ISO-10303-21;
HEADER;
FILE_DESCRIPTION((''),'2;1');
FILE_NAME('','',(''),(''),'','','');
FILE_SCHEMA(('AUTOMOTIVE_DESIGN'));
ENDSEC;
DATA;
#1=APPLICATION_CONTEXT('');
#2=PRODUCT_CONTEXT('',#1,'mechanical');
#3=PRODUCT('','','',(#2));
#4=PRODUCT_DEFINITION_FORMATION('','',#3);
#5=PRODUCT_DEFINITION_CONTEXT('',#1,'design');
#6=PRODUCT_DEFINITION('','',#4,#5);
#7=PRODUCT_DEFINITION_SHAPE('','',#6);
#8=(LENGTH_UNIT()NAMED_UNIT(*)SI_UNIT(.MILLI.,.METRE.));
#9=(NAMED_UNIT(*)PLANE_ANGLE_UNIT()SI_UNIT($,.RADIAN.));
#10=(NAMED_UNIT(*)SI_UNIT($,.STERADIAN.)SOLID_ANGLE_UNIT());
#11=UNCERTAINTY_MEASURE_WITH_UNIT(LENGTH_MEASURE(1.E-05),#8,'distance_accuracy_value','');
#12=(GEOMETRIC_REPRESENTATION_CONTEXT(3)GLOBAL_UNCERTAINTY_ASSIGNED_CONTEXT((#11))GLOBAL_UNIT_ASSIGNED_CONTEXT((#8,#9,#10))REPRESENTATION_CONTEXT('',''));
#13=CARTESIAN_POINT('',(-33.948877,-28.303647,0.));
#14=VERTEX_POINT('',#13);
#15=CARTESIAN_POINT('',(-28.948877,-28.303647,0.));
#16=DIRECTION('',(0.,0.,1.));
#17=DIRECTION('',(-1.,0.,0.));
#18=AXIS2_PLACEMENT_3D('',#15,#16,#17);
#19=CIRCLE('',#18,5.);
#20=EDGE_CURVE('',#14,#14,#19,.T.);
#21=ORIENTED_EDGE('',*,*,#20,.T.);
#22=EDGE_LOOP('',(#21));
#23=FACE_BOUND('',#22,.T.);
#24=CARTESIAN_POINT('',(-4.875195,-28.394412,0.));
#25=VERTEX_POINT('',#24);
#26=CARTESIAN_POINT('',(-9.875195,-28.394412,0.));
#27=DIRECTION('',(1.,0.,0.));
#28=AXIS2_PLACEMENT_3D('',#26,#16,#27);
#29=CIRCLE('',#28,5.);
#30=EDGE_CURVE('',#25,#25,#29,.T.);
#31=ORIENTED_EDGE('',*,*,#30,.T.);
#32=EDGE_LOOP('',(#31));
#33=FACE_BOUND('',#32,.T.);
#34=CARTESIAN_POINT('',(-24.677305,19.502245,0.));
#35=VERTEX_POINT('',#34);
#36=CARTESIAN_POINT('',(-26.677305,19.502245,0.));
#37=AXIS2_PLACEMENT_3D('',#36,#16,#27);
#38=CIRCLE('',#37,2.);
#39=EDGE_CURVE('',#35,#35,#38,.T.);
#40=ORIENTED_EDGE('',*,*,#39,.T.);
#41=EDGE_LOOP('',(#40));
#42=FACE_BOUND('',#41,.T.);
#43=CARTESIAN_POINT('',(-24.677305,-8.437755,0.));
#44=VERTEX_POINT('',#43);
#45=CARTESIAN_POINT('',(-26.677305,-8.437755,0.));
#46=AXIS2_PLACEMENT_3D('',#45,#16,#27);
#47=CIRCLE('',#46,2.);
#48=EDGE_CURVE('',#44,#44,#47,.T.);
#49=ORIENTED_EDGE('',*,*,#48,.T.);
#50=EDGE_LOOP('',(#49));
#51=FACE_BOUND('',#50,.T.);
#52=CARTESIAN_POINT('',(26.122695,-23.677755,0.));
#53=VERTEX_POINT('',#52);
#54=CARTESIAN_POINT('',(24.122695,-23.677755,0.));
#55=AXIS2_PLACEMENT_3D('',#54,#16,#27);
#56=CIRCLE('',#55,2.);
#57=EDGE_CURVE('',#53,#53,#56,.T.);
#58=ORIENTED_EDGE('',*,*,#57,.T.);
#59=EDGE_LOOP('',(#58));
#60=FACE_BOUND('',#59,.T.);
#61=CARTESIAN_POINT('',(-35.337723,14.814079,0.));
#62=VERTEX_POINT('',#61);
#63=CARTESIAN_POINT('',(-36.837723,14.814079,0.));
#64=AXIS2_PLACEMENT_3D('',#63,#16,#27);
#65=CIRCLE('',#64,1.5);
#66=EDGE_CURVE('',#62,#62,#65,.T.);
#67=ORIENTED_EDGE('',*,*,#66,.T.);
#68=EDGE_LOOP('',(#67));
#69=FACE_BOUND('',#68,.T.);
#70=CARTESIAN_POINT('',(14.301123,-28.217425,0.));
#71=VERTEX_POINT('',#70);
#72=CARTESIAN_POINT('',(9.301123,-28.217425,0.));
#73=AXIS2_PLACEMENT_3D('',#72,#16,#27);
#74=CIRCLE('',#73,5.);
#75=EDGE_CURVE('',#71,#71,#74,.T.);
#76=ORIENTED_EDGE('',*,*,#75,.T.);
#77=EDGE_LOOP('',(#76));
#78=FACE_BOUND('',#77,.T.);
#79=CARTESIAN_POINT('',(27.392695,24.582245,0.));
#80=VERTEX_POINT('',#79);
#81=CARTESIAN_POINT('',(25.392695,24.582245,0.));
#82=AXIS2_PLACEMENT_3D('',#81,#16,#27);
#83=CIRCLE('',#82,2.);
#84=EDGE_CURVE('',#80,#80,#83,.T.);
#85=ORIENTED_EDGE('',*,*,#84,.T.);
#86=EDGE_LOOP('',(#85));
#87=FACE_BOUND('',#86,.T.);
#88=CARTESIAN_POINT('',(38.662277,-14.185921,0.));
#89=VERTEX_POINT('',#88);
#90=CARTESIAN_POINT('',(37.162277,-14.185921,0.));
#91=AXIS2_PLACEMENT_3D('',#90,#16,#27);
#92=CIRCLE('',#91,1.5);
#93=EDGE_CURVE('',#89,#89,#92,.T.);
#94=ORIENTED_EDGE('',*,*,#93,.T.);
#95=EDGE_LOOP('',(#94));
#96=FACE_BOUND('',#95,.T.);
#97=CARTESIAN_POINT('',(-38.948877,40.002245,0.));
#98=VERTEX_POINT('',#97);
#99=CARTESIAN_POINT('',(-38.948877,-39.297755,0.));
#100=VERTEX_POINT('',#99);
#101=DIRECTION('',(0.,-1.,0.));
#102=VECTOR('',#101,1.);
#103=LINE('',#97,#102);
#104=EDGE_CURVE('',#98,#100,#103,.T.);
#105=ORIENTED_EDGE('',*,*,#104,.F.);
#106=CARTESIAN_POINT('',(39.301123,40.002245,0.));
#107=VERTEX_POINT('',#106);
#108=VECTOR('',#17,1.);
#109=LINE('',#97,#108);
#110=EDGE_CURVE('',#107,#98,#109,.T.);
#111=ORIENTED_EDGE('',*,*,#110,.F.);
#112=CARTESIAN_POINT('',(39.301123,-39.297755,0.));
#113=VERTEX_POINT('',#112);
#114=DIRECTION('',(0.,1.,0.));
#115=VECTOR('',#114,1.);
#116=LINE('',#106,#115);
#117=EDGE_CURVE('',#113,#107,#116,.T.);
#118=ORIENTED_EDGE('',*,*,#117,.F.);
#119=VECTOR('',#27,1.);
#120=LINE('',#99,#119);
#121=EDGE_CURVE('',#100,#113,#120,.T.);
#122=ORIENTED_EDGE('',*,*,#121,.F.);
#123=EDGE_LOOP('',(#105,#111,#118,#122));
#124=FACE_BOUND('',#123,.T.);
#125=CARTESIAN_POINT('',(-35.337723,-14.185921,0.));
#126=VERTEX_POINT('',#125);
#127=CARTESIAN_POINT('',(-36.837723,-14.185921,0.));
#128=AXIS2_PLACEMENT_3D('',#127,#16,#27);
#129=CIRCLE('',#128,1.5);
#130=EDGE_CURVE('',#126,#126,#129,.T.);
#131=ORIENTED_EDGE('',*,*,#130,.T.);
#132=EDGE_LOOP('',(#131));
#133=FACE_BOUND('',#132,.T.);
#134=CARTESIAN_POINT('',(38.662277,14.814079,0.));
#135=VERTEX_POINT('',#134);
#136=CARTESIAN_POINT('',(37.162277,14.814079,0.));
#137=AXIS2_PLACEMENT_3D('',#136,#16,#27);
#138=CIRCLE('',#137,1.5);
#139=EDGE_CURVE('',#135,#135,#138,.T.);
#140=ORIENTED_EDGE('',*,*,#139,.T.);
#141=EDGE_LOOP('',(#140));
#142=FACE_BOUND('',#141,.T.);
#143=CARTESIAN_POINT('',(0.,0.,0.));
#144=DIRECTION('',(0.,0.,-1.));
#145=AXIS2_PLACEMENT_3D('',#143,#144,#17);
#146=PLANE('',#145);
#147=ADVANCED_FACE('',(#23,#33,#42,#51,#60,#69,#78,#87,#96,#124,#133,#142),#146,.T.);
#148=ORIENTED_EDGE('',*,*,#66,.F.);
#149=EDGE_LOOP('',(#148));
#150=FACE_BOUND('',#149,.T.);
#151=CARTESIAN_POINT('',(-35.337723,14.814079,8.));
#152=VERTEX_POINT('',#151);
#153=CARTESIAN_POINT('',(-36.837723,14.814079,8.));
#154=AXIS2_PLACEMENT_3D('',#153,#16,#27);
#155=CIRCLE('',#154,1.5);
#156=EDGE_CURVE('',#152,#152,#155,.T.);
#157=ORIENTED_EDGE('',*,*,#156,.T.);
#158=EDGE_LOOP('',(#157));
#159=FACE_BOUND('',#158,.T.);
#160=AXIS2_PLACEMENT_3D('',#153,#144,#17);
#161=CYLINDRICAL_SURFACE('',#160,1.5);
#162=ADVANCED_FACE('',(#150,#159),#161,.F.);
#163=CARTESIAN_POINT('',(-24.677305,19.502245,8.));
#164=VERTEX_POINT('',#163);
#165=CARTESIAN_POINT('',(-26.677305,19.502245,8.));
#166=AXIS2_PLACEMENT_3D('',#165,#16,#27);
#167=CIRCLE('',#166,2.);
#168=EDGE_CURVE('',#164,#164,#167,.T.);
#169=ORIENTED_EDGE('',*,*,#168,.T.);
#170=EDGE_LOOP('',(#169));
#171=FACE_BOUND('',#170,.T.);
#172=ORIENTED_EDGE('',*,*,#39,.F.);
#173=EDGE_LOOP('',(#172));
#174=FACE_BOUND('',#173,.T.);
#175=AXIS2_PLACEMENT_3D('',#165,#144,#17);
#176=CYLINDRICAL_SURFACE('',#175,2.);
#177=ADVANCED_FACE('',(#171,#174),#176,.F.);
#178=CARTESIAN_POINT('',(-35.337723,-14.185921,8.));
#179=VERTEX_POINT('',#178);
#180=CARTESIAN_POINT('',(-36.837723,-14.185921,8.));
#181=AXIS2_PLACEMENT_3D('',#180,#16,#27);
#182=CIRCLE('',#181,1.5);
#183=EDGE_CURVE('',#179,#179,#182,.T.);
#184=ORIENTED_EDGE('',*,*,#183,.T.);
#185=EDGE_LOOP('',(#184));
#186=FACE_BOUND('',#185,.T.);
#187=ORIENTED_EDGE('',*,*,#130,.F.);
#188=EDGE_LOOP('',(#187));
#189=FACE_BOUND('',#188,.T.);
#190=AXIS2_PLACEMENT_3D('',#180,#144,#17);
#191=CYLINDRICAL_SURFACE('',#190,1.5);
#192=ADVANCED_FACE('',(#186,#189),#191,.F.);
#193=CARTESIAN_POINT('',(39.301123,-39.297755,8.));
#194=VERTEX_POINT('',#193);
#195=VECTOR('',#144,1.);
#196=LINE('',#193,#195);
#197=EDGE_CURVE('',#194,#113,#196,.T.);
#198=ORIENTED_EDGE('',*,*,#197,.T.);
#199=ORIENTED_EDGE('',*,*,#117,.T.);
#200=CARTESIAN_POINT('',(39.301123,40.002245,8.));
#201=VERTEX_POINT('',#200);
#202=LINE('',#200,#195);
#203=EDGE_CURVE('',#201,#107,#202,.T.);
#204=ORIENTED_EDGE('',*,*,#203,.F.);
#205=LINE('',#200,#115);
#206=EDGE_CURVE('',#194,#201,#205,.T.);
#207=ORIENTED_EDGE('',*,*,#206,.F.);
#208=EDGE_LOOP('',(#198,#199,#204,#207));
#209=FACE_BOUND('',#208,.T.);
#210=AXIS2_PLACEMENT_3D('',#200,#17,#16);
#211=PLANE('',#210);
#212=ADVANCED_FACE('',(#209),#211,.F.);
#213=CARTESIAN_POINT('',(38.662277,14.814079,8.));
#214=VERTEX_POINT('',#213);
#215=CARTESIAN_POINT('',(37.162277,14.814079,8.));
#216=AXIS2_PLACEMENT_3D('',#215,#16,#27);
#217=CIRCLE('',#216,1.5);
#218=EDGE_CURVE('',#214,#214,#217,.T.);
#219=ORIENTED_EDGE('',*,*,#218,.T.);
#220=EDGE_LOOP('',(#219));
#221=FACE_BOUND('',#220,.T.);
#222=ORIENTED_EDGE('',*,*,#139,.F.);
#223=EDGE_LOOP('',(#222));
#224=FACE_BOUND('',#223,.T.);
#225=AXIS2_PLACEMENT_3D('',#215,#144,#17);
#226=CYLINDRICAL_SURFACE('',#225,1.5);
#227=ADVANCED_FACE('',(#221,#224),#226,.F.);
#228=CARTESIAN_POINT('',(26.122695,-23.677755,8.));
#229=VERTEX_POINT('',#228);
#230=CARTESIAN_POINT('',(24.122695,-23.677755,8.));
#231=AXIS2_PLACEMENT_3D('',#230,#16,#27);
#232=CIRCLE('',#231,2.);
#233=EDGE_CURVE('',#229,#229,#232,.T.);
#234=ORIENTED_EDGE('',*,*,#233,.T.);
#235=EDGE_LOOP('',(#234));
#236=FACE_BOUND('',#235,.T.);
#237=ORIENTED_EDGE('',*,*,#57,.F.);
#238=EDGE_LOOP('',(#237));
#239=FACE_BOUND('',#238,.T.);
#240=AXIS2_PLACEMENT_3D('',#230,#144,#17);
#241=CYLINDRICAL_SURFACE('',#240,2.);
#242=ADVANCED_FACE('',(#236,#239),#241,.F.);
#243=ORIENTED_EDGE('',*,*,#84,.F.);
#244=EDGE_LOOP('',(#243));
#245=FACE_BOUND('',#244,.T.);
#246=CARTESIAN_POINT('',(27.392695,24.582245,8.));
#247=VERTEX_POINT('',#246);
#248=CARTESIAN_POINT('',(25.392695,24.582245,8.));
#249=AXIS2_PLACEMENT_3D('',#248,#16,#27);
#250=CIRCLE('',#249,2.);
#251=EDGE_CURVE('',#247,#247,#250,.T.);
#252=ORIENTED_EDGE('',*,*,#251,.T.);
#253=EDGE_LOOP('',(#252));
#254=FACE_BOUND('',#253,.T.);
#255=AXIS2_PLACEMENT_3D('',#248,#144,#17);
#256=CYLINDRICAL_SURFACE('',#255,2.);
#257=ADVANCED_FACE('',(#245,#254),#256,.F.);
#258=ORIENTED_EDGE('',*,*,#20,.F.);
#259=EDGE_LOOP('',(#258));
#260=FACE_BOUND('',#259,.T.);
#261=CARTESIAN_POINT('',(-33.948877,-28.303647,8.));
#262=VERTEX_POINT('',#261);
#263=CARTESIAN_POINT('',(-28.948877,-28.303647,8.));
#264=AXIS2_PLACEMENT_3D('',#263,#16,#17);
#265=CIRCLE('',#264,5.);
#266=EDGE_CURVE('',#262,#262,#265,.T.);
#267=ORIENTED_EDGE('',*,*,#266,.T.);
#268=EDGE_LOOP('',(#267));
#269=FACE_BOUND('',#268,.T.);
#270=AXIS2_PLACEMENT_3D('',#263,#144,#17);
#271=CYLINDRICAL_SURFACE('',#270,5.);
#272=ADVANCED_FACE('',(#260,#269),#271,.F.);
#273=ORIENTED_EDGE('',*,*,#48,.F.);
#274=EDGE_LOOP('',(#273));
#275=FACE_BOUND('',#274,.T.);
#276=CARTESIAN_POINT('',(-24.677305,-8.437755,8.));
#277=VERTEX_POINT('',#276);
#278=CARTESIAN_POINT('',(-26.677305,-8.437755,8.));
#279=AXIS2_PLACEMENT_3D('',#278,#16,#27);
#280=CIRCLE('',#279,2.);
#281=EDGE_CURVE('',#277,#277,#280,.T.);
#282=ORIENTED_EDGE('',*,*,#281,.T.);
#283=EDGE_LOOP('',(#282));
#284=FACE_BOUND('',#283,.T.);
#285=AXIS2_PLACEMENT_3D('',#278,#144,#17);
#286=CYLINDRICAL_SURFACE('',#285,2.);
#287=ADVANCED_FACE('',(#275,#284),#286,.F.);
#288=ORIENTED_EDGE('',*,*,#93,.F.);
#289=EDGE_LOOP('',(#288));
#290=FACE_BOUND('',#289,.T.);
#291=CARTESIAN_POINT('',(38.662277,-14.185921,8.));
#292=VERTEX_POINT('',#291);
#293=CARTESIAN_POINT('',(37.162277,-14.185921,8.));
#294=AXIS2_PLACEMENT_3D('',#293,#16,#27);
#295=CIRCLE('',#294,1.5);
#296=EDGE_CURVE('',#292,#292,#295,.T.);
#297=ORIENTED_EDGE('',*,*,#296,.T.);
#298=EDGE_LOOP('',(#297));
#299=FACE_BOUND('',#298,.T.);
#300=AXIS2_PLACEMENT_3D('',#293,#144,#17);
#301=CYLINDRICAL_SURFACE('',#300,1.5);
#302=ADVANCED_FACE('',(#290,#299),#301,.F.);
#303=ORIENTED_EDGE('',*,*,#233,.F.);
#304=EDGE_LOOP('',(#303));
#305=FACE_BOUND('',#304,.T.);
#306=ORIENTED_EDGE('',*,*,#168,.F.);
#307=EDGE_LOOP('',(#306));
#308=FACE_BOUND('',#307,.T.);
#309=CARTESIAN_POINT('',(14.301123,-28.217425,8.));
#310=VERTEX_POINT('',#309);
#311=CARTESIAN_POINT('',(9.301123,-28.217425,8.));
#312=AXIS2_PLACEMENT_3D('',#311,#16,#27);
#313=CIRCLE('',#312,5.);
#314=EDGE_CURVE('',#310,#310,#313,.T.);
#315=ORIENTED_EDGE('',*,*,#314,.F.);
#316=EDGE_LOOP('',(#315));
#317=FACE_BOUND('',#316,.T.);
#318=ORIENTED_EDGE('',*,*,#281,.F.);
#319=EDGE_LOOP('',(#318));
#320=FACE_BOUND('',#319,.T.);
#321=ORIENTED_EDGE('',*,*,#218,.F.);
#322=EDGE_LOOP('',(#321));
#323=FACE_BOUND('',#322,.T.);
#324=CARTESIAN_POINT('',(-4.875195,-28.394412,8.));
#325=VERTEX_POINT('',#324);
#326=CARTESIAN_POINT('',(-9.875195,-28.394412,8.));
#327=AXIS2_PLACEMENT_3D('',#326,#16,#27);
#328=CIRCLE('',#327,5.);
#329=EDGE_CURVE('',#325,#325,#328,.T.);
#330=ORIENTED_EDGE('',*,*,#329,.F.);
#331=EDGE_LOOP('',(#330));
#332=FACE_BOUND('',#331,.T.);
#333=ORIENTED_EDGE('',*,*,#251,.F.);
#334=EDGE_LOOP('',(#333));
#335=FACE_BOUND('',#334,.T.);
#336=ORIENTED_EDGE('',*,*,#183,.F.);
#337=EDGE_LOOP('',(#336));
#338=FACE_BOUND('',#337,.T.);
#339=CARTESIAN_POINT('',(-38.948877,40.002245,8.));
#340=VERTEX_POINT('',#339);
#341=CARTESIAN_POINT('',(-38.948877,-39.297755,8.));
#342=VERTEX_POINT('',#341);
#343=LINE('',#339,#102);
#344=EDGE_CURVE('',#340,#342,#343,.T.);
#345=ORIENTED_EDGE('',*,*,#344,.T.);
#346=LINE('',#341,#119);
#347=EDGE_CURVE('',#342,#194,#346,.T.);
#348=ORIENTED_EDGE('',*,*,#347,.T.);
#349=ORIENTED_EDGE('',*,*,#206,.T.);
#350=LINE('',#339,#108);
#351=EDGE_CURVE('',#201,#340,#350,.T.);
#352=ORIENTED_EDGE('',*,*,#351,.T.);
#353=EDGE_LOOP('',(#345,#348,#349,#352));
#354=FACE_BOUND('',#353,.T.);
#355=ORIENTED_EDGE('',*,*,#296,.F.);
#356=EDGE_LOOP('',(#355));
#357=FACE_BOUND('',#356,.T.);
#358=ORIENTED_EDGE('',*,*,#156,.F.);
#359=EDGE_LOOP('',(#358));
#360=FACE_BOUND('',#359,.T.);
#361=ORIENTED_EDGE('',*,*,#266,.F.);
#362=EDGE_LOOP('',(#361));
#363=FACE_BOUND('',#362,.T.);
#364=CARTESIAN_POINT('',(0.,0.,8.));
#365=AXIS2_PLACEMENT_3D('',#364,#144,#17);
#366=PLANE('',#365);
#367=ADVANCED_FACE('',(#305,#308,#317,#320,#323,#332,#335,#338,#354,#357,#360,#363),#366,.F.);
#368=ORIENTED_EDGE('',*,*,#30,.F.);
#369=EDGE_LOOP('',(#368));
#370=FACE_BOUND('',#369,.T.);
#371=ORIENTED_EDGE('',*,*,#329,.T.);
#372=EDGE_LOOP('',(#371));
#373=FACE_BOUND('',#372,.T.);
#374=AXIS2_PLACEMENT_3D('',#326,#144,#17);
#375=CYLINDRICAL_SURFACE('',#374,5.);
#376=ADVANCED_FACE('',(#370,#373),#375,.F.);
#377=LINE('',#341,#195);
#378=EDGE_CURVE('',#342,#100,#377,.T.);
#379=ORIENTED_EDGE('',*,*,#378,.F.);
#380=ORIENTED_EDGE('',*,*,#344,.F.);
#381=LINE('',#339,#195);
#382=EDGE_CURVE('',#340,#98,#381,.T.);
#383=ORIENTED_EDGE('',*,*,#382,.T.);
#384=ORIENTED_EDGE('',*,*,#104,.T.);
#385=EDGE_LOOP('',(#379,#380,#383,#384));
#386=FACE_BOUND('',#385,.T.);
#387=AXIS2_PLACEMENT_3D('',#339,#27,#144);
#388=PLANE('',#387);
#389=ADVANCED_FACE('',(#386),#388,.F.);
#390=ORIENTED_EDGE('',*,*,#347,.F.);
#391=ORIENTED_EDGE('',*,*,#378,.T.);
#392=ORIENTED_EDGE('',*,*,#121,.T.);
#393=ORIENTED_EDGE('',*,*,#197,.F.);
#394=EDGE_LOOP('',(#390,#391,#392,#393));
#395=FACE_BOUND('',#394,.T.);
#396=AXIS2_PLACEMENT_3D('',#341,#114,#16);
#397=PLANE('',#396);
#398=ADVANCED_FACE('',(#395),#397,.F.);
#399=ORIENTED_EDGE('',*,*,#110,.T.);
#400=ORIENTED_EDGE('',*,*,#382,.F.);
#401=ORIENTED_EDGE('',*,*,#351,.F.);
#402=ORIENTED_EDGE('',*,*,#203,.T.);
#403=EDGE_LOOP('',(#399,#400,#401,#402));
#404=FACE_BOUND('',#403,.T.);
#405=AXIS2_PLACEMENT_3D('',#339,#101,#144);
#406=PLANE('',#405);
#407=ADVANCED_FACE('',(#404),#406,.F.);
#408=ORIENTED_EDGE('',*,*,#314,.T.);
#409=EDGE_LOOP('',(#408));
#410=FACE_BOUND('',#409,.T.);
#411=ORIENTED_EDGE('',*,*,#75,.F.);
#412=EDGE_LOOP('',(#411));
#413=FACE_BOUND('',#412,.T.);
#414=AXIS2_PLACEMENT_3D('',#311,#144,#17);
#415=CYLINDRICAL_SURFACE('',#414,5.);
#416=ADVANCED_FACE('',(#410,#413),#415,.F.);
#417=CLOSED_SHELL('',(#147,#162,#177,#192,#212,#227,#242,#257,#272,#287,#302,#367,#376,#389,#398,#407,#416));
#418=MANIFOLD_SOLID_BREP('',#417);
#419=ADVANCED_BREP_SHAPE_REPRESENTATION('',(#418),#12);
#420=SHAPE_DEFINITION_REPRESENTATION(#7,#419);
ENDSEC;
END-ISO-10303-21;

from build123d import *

# Parameters (mm, degrees)
SKETCH1_W           = 78.25
SKETCH1_H           = 79.3
SKETCH1_R           = 5
SKETCH1_R_2         = 2
SKETCH1_R_3         = 1.5
BOSS_EXTRUDE1_DEPTH = 8


with BuildPart() as part:
    # Sketch1 → Boss-Extrude1 (new body)
    with BuildSketch(Plane.XY):
        with Locations((0.176122561, 0.352245122)):
            Rectangle(SKETCH1_W, SKETCH1_H)
        with Locations((-9.875194839, -28.39441243)):
            Circle(SKETCH1_R, mode=Mode.SUBTRACT)
        with Locations((9.301122561, -28.217424669)):
            Circle(SKETCH1_R, mode=Mode.SUBTRACT)
        with Locations(Location((-28.948877439, -28.303646558, 0), (0, 0, 180))):
            Circle(SKETCH1_R, mode=Mode.SUBTRACT)
        with Locations((-26.677304512, 19.502245122)):
            Circle(SKETCH1_R_2, mode=Mode.SUBTRACT)
        with Locations((-26.677304512, -8.437754878)):
            Circle(SKETCH1_R_2, mode=Mode.SUBTRACT)
        with Locations((24.122695488, -23.677754878)):
            Circle(SKETCH1_R_2, mode=Mode.SUBTRACT)
        with Locations((25.392695488, 24.582245122)):
            Circle(SKETCH1_R_2, mode=Mode.SUBTRACT)
        with Locations((-36.837723202, 14.814078865)):
            Circle(SKETCH1_R_3, mode=Mode.SUBTRACT)
        with Locations((-36.837723202, -14.185921135)):
            Circle(SKETCH1_R_3, mode=Mode.SUBTRACT)
        with Locations((37.162276798, -14.185921135)):
            Circle(SKETCH1_R_3, mode=Mode.SUBTRACT)
        with Locations((37.162276798, 14.814078865)):
            Circle(SKETCH1_R_3, mode=Mode.SUBTRACT)
    extrude(amount=BOSS_EXTRUDE1_DEPTH)


solid = part.part
